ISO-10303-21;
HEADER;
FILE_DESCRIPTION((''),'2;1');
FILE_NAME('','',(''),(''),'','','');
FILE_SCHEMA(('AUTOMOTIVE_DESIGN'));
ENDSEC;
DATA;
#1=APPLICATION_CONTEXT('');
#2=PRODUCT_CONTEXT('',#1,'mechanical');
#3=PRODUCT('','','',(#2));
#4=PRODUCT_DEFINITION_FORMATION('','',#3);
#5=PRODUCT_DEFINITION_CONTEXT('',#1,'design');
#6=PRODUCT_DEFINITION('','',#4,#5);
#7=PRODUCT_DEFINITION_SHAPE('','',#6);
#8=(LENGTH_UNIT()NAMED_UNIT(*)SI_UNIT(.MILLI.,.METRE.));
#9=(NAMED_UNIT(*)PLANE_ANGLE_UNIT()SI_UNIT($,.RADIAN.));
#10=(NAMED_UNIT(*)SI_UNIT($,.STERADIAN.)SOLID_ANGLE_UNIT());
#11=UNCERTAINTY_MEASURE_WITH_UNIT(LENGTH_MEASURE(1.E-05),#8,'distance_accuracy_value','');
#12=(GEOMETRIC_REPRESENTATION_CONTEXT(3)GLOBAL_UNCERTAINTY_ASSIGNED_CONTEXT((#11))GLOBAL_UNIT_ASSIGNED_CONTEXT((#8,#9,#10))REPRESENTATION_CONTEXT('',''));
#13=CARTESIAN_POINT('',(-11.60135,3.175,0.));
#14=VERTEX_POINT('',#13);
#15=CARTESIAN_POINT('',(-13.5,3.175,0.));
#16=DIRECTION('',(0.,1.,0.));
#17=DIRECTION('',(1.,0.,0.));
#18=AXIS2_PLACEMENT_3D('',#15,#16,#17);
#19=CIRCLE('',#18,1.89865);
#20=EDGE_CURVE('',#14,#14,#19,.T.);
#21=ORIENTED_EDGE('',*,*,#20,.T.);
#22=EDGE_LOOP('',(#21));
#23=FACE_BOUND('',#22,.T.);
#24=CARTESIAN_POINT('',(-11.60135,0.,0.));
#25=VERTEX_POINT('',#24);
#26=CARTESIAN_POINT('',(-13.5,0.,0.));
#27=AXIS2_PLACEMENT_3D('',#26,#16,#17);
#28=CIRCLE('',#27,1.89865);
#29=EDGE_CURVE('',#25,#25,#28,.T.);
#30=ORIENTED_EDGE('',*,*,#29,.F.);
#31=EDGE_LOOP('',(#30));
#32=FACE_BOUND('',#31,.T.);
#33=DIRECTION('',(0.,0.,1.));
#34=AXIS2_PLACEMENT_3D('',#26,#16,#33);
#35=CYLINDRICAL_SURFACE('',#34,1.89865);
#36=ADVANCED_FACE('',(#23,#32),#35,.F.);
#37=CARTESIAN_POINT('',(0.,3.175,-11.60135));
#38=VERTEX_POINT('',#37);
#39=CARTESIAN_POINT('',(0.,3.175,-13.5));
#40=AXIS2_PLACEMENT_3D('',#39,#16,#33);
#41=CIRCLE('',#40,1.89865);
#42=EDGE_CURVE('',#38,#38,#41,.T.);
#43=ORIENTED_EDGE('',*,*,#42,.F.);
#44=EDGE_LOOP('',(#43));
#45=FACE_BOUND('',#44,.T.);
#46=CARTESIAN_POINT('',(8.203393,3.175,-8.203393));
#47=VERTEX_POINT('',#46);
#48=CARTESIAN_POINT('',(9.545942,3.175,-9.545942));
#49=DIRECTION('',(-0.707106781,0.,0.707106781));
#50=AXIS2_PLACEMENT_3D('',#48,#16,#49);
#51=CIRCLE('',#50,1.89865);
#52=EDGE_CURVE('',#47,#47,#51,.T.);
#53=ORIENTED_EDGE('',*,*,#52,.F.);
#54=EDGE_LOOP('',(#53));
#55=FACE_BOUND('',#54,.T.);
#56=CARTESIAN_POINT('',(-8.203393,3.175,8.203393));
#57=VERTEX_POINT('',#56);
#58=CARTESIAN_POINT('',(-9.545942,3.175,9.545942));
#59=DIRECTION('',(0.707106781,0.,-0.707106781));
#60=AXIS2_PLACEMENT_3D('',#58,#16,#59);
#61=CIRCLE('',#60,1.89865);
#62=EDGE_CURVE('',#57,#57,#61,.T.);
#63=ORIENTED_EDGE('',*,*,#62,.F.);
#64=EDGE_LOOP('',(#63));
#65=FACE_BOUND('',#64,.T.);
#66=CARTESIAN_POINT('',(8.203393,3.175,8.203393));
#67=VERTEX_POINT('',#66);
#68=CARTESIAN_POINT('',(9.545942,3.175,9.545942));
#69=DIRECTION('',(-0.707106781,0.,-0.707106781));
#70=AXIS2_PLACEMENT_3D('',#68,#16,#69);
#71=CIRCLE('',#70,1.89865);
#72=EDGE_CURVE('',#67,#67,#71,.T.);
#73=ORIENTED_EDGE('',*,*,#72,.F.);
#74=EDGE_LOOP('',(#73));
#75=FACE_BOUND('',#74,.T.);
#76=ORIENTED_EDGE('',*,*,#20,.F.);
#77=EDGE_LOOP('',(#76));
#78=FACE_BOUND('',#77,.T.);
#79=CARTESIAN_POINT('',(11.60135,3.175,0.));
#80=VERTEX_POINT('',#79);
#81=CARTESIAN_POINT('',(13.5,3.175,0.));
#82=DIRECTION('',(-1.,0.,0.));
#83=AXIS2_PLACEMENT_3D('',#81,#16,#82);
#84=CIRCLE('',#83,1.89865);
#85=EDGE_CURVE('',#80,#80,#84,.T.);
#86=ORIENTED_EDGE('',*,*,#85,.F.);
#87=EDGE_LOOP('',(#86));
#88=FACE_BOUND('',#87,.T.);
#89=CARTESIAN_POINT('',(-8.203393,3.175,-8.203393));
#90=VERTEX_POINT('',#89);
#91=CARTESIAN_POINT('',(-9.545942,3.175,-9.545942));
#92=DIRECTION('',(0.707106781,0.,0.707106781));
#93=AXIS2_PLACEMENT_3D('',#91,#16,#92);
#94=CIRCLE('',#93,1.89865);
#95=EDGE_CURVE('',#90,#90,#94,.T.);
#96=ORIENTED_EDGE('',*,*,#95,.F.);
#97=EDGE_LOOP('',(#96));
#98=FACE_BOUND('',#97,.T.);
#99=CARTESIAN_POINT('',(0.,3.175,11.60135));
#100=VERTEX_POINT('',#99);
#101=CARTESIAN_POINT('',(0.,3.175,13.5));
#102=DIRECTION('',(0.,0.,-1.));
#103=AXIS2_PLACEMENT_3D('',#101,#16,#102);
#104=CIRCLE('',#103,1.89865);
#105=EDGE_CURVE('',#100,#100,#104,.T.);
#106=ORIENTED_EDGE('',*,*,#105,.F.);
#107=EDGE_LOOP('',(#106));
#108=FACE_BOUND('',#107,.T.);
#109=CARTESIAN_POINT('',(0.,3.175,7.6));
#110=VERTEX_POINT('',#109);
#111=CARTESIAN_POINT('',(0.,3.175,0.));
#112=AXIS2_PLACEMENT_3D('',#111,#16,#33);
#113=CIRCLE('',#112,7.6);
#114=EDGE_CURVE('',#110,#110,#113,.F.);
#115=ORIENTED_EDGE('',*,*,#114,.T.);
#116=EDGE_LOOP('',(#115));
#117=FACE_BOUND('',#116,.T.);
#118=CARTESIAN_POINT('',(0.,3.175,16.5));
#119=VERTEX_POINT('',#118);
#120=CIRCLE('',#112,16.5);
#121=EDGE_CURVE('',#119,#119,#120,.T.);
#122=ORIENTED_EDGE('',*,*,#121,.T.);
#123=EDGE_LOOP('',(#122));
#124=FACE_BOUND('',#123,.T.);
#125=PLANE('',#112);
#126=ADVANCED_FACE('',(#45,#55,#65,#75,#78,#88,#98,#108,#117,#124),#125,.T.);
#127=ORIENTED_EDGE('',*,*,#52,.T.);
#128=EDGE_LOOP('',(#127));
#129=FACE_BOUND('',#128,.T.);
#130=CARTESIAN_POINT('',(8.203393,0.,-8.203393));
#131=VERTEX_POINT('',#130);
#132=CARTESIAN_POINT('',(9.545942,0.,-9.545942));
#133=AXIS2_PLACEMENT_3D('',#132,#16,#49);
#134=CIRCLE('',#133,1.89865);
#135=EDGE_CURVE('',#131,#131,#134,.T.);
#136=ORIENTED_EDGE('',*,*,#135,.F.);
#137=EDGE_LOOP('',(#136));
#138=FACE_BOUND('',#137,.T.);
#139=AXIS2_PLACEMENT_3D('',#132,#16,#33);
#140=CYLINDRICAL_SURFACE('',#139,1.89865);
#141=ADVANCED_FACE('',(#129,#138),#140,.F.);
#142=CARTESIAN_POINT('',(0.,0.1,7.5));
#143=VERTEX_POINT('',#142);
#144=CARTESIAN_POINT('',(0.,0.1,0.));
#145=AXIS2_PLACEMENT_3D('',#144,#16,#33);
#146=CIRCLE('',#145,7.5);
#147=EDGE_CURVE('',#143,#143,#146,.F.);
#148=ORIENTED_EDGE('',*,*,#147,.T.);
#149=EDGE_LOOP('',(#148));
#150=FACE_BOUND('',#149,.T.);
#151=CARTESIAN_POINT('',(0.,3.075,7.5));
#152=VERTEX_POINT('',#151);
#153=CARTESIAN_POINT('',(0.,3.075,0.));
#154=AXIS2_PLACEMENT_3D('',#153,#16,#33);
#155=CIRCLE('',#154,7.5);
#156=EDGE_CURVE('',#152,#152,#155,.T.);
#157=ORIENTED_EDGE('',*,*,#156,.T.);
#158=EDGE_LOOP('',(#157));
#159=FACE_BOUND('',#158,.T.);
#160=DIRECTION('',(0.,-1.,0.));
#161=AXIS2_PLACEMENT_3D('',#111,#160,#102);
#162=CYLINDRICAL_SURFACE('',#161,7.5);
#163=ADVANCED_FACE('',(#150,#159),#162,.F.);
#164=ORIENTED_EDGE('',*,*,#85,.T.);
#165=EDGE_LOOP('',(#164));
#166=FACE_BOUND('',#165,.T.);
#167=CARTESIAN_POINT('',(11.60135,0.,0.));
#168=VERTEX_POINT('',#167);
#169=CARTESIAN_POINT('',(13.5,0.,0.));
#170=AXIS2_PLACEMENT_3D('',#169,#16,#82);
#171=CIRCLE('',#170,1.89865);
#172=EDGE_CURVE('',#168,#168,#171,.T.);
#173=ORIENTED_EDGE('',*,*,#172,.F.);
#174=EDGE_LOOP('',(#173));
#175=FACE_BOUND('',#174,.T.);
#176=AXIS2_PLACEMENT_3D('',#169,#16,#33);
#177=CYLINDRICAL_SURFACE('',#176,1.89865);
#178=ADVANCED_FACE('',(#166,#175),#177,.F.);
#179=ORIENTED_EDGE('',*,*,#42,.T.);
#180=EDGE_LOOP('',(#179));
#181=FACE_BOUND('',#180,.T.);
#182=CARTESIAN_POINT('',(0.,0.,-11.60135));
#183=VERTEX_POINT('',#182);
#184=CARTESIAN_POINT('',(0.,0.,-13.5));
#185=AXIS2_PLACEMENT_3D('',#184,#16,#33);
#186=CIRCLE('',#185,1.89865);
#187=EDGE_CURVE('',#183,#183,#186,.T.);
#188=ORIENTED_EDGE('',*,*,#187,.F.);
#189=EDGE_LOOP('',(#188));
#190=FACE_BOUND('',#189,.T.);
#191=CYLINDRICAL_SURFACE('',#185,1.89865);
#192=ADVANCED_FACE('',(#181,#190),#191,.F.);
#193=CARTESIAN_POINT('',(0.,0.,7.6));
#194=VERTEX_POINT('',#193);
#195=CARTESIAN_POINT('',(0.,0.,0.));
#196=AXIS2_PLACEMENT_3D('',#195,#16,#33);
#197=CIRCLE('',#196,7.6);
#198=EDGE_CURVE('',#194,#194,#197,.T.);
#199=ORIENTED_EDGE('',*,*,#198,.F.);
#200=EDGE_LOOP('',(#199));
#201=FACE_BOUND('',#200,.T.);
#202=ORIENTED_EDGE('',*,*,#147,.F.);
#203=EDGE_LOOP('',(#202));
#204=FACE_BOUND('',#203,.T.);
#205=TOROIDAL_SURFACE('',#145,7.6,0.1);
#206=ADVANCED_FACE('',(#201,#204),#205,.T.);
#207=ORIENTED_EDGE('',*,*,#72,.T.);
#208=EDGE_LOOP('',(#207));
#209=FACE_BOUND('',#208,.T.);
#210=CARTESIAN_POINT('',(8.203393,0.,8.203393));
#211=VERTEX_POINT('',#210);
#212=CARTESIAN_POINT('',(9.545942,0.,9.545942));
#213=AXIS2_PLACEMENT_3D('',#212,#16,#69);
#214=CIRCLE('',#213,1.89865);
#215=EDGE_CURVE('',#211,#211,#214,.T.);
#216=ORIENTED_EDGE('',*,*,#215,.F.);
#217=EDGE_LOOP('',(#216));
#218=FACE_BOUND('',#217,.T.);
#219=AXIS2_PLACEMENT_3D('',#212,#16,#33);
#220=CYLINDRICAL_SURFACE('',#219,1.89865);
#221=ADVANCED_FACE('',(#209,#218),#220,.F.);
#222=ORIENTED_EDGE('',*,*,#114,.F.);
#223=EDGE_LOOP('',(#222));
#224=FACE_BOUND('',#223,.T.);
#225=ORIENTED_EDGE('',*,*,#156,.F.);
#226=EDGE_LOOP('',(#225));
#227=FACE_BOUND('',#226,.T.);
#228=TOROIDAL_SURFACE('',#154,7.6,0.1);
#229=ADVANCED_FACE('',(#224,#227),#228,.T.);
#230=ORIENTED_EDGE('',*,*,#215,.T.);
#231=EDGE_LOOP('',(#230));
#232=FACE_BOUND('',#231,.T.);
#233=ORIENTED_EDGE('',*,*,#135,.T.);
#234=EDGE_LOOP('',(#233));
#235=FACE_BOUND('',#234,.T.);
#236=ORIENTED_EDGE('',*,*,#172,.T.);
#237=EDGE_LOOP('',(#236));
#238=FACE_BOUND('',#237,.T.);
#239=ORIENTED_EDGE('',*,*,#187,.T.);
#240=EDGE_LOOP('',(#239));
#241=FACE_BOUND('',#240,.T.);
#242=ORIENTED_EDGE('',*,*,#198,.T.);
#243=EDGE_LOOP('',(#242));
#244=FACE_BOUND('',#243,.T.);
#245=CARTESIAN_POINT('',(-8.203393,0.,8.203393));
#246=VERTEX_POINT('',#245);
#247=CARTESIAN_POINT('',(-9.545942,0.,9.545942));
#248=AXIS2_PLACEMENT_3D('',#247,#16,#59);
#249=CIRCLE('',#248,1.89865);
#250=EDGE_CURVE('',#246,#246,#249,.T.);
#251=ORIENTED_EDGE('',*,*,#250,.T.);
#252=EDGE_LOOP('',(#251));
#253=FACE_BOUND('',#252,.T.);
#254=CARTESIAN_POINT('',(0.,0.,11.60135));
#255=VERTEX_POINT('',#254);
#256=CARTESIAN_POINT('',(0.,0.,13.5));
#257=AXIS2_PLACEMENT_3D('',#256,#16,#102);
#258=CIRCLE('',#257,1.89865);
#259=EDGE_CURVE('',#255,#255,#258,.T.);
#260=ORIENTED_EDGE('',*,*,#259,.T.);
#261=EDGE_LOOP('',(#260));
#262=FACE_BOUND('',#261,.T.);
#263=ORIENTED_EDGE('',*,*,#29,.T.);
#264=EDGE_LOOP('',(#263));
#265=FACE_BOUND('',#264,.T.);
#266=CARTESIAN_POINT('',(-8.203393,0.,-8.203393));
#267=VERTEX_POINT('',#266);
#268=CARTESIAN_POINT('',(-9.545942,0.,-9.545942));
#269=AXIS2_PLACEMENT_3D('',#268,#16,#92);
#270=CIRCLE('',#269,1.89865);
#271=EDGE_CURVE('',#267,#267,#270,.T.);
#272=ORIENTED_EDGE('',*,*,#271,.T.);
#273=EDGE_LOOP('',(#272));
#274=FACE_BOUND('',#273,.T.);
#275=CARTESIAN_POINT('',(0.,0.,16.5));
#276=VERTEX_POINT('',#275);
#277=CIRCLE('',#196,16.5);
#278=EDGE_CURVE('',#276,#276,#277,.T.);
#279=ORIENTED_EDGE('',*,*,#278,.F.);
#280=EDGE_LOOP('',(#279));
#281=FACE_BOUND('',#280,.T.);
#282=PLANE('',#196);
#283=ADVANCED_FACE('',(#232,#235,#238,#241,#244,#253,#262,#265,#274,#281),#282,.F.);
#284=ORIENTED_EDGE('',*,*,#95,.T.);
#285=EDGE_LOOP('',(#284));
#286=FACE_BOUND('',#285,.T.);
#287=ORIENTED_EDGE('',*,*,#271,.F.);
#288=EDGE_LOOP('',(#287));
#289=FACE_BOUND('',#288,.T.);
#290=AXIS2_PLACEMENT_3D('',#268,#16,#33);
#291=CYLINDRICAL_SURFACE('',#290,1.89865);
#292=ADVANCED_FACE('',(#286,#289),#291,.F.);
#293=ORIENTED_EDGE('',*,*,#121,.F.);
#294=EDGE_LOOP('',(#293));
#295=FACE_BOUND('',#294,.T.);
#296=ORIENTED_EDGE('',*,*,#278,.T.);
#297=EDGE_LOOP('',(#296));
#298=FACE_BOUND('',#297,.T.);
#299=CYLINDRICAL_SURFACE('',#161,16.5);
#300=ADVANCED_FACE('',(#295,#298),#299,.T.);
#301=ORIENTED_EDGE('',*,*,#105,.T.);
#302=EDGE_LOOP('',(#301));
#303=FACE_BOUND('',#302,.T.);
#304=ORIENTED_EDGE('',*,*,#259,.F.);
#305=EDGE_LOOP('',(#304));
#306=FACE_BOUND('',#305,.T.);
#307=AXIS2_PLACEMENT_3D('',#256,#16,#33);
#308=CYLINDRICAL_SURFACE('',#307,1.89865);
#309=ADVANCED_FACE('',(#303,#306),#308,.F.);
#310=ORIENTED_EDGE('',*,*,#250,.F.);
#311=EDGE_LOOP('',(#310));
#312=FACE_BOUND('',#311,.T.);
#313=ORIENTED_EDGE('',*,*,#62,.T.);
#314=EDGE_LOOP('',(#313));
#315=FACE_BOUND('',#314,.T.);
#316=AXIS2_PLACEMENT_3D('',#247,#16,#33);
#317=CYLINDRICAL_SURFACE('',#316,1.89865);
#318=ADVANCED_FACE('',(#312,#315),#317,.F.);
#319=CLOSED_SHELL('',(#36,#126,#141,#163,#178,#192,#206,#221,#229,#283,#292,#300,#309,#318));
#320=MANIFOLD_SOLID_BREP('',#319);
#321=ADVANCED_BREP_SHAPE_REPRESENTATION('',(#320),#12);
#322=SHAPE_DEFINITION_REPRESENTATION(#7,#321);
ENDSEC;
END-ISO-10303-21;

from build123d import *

# Parameters (mm, degrees)
SKETCH1_R           = 16.5
SKETCH1_R_2         = 7.5
BOSS_EXTRUDE1_DEPTH = 3.175
FILLET1_R           = 0.1
SKETCH2_R           = 1.89865
CUT_EXTRUDE1_DEPTH  = 24.549535558
CIRPATTERN1_COUNT   = 8


with BuildPart() as part:
    # Sketch1 → Boss-Extrude1 (new body)
    with BuildSketch(Plane(origin=(0, 0, 0), x_dir=(1, 0, 0), z_dir=(0, 1, 0))):
        with Locations(Location((0, 0, 0), (0, 0, 270))):
            Circle(SKETCH1_R)
        with Locations(Location((0, 0, 0), (0, 0, 270))):
            Circle(SKETCH1_R_2, mode=Mode.SUBTRACT)
    extrude(amount=BOSS_EXTRUDE1_DEPTH)

    # Fillet1
    fillet1_edges = [part.edges().sort_by_distance(p)[0] for p in [
        (0, 0, -7.5),
        (0, 3.175, -7.5),
    ]]
    fillet(fillet1_edges, radius=FILLET1_R)

    # Sketch2 → Cut-Extrude1 (cut, through all)
    with BuildSketch(Plane(origin=(0, 3.175, 0), x_dir=(-1, 0, 0), z_dir=(0, 1, 0))):
        with Locations(Location((0, -13.5, 0), (0, 0, 90))):
            Circle(SKETCH2_R)
    cut_extrude1 = extrude(amount=-CUT_EXTRUDE1_DEPTH, mode=Mode.SUBTRACT)

    # CirPattern1: Cut-Extrude1 ×8 about axis
    cirpattern1_axis = Axis((0, 0, 0), (0, 1, 0))
    for i in range(1, CIRPATTERN1_COUNT):
        add(cut_extrude1.rotate(cirpattern1_axis, i * 360 / CIRPATTERN1_COUNT), mode=Mode.SUBTRACT)


solid = part.part
